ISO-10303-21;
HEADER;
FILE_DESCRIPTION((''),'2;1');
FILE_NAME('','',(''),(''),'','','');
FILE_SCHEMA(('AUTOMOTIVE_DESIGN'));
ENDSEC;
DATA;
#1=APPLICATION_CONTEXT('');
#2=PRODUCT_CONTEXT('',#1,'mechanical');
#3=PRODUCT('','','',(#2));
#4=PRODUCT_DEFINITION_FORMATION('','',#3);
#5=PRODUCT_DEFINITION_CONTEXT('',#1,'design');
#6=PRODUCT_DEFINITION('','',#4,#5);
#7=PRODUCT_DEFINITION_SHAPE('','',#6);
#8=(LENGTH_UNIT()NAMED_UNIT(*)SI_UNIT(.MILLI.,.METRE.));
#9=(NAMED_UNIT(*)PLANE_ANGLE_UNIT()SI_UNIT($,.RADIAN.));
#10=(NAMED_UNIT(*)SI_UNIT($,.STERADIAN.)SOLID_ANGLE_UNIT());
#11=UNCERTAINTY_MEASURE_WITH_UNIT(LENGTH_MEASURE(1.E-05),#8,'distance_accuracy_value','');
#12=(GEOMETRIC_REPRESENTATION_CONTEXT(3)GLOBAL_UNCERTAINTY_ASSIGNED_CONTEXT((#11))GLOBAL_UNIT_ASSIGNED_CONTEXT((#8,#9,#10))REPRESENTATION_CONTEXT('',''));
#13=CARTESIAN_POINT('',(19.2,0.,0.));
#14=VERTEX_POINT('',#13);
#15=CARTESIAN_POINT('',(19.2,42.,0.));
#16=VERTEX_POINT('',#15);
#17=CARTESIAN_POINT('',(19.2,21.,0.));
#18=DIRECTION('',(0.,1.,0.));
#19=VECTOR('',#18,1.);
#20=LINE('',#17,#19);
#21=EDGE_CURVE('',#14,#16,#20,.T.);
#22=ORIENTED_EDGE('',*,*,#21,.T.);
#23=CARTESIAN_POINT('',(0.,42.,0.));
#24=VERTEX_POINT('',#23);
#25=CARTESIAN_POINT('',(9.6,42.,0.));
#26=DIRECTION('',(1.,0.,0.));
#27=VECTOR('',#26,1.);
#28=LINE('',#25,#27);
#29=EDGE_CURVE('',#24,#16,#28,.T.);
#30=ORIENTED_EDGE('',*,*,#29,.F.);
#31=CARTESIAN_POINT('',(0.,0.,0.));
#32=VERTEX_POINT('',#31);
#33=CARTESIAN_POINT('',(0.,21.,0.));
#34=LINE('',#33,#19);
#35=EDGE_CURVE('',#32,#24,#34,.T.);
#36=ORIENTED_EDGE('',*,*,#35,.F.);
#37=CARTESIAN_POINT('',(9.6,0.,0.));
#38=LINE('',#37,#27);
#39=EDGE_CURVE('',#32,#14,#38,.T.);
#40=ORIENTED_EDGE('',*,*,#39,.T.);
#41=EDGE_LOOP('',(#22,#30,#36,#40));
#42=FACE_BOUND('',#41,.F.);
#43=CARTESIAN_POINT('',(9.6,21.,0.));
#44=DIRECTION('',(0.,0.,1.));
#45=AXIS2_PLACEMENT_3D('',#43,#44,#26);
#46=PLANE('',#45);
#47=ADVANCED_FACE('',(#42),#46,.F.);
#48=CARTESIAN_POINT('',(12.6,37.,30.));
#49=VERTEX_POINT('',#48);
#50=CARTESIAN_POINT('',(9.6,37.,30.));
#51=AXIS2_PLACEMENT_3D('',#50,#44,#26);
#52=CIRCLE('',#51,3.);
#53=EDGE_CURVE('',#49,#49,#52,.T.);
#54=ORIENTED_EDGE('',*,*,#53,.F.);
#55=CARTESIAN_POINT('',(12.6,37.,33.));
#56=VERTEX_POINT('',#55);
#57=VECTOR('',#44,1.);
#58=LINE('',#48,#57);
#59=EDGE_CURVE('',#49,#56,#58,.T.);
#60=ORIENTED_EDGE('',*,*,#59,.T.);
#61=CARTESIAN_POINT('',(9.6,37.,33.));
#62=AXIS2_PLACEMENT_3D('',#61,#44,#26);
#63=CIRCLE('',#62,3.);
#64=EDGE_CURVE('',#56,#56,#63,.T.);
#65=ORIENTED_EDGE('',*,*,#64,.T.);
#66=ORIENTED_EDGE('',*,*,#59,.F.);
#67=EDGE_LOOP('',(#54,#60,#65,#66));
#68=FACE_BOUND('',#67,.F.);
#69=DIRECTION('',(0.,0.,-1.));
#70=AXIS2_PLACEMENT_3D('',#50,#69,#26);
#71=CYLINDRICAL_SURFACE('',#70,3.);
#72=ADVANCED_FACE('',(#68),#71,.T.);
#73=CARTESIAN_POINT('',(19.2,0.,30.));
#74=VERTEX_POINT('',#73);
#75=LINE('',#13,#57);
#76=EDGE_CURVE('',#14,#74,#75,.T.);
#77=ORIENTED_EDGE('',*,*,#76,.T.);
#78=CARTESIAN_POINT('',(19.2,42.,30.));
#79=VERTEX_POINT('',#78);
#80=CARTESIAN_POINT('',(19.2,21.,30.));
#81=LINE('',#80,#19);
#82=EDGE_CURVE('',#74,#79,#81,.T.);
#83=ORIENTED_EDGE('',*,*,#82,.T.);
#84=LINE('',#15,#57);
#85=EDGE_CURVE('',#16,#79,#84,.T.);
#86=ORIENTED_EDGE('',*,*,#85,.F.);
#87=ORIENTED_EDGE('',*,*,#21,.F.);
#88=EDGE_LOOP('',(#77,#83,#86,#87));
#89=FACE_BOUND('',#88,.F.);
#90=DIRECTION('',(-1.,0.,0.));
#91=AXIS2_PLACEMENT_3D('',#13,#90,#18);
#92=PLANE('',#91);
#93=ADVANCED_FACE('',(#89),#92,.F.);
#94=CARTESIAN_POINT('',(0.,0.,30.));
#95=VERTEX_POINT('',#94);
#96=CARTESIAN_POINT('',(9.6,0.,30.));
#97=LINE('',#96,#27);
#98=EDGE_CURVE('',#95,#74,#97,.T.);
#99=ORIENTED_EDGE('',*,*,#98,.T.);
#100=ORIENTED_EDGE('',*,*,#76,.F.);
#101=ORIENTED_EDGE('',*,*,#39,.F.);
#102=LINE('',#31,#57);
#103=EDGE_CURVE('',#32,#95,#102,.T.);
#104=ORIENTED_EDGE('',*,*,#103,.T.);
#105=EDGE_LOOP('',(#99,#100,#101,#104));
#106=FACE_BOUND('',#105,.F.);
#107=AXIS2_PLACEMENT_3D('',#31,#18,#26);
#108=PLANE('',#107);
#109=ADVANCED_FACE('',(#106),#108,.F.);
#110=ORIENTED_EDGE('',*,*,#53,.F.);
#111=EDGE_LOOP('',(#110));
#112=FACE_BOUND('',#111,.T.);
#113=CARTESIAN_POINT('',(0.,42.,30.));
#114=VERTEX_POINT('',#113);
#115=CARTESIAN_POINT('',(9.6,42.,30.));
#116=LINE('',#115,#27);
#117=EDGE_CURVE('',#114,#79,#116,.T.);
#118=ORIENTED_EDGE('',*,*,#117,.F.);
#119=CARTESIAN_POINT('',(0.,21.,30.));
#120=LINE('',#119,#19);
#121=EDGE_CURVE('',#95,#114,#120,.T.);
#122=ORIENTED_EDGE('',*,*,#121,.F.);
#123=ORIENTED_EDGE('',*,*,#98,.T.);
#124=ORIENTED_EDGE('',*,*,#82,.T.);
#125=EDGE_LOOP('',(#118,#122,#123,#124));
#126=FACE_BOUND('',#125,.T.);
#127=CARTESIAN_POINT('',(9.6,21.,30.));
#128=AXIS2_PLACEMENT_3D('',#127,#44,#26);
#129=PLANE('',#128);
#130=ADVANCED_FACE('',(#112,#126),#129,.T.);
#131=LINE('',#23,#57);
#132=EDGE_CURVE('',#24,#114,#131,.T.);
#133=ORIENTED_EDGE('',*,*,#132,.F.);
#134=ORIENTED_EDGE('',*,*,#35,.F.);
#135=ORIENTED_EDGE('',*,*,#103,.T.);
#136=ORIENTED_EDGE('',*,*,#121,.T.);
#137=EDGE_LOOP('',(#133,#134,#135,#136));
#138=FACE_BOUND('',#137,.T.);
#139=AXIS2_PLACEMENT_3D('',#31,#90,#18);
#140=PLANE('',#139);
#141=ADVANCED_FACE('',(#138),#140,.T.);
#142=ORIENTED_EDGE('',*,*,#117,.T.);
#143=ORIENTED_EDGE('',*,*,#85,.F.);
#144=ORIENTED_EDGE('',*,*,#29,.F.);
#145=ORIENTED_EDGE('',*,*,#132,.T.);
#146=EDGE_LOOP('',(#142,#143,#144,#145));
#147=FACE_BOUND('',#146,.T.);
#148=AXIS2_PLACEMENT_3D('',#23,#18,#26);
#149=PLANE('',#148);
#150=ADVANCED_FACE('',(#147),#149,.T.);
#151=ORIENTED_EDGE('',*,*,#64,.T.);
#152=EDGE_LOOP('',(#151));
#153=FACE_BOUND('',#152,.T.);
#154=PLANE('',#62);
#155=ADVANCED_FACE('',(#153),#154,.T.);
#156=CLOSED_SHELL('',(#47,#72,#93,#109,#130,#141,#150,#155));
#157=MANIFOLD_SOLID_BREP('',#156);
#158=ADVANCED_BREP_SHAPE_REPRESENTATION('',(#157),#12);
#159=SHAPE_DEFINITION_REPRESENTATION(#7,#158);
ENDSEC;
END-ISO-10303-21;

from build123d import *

# Parameters (mm, degrees)
SKETCH_W     = 19.2
SKETCH_H     = 42
PAD_DEPTH    = 30
SKETCH001_R  = 3
PAD001_DEPTH = 3


with BuildPart() as part:
    # Sketch → Pad (new body)
    with BuildSketch(Plane.XY):
        with Locations((9.6, 21)):
            Rectangle(SKETCH_W, SKETCH_H)
    extrude(amount=PAD_DEPTH)

    # Sketch001 (on Face6 of Pad) → Pad001 (join)
    with BuildSketch(Plane.XY.offset(30)):
        with Locations((9.6, 37)):
            Circle(SKETCH001_R)
    extrude(amount=PAD001_DEPTH)


solid = part.part
